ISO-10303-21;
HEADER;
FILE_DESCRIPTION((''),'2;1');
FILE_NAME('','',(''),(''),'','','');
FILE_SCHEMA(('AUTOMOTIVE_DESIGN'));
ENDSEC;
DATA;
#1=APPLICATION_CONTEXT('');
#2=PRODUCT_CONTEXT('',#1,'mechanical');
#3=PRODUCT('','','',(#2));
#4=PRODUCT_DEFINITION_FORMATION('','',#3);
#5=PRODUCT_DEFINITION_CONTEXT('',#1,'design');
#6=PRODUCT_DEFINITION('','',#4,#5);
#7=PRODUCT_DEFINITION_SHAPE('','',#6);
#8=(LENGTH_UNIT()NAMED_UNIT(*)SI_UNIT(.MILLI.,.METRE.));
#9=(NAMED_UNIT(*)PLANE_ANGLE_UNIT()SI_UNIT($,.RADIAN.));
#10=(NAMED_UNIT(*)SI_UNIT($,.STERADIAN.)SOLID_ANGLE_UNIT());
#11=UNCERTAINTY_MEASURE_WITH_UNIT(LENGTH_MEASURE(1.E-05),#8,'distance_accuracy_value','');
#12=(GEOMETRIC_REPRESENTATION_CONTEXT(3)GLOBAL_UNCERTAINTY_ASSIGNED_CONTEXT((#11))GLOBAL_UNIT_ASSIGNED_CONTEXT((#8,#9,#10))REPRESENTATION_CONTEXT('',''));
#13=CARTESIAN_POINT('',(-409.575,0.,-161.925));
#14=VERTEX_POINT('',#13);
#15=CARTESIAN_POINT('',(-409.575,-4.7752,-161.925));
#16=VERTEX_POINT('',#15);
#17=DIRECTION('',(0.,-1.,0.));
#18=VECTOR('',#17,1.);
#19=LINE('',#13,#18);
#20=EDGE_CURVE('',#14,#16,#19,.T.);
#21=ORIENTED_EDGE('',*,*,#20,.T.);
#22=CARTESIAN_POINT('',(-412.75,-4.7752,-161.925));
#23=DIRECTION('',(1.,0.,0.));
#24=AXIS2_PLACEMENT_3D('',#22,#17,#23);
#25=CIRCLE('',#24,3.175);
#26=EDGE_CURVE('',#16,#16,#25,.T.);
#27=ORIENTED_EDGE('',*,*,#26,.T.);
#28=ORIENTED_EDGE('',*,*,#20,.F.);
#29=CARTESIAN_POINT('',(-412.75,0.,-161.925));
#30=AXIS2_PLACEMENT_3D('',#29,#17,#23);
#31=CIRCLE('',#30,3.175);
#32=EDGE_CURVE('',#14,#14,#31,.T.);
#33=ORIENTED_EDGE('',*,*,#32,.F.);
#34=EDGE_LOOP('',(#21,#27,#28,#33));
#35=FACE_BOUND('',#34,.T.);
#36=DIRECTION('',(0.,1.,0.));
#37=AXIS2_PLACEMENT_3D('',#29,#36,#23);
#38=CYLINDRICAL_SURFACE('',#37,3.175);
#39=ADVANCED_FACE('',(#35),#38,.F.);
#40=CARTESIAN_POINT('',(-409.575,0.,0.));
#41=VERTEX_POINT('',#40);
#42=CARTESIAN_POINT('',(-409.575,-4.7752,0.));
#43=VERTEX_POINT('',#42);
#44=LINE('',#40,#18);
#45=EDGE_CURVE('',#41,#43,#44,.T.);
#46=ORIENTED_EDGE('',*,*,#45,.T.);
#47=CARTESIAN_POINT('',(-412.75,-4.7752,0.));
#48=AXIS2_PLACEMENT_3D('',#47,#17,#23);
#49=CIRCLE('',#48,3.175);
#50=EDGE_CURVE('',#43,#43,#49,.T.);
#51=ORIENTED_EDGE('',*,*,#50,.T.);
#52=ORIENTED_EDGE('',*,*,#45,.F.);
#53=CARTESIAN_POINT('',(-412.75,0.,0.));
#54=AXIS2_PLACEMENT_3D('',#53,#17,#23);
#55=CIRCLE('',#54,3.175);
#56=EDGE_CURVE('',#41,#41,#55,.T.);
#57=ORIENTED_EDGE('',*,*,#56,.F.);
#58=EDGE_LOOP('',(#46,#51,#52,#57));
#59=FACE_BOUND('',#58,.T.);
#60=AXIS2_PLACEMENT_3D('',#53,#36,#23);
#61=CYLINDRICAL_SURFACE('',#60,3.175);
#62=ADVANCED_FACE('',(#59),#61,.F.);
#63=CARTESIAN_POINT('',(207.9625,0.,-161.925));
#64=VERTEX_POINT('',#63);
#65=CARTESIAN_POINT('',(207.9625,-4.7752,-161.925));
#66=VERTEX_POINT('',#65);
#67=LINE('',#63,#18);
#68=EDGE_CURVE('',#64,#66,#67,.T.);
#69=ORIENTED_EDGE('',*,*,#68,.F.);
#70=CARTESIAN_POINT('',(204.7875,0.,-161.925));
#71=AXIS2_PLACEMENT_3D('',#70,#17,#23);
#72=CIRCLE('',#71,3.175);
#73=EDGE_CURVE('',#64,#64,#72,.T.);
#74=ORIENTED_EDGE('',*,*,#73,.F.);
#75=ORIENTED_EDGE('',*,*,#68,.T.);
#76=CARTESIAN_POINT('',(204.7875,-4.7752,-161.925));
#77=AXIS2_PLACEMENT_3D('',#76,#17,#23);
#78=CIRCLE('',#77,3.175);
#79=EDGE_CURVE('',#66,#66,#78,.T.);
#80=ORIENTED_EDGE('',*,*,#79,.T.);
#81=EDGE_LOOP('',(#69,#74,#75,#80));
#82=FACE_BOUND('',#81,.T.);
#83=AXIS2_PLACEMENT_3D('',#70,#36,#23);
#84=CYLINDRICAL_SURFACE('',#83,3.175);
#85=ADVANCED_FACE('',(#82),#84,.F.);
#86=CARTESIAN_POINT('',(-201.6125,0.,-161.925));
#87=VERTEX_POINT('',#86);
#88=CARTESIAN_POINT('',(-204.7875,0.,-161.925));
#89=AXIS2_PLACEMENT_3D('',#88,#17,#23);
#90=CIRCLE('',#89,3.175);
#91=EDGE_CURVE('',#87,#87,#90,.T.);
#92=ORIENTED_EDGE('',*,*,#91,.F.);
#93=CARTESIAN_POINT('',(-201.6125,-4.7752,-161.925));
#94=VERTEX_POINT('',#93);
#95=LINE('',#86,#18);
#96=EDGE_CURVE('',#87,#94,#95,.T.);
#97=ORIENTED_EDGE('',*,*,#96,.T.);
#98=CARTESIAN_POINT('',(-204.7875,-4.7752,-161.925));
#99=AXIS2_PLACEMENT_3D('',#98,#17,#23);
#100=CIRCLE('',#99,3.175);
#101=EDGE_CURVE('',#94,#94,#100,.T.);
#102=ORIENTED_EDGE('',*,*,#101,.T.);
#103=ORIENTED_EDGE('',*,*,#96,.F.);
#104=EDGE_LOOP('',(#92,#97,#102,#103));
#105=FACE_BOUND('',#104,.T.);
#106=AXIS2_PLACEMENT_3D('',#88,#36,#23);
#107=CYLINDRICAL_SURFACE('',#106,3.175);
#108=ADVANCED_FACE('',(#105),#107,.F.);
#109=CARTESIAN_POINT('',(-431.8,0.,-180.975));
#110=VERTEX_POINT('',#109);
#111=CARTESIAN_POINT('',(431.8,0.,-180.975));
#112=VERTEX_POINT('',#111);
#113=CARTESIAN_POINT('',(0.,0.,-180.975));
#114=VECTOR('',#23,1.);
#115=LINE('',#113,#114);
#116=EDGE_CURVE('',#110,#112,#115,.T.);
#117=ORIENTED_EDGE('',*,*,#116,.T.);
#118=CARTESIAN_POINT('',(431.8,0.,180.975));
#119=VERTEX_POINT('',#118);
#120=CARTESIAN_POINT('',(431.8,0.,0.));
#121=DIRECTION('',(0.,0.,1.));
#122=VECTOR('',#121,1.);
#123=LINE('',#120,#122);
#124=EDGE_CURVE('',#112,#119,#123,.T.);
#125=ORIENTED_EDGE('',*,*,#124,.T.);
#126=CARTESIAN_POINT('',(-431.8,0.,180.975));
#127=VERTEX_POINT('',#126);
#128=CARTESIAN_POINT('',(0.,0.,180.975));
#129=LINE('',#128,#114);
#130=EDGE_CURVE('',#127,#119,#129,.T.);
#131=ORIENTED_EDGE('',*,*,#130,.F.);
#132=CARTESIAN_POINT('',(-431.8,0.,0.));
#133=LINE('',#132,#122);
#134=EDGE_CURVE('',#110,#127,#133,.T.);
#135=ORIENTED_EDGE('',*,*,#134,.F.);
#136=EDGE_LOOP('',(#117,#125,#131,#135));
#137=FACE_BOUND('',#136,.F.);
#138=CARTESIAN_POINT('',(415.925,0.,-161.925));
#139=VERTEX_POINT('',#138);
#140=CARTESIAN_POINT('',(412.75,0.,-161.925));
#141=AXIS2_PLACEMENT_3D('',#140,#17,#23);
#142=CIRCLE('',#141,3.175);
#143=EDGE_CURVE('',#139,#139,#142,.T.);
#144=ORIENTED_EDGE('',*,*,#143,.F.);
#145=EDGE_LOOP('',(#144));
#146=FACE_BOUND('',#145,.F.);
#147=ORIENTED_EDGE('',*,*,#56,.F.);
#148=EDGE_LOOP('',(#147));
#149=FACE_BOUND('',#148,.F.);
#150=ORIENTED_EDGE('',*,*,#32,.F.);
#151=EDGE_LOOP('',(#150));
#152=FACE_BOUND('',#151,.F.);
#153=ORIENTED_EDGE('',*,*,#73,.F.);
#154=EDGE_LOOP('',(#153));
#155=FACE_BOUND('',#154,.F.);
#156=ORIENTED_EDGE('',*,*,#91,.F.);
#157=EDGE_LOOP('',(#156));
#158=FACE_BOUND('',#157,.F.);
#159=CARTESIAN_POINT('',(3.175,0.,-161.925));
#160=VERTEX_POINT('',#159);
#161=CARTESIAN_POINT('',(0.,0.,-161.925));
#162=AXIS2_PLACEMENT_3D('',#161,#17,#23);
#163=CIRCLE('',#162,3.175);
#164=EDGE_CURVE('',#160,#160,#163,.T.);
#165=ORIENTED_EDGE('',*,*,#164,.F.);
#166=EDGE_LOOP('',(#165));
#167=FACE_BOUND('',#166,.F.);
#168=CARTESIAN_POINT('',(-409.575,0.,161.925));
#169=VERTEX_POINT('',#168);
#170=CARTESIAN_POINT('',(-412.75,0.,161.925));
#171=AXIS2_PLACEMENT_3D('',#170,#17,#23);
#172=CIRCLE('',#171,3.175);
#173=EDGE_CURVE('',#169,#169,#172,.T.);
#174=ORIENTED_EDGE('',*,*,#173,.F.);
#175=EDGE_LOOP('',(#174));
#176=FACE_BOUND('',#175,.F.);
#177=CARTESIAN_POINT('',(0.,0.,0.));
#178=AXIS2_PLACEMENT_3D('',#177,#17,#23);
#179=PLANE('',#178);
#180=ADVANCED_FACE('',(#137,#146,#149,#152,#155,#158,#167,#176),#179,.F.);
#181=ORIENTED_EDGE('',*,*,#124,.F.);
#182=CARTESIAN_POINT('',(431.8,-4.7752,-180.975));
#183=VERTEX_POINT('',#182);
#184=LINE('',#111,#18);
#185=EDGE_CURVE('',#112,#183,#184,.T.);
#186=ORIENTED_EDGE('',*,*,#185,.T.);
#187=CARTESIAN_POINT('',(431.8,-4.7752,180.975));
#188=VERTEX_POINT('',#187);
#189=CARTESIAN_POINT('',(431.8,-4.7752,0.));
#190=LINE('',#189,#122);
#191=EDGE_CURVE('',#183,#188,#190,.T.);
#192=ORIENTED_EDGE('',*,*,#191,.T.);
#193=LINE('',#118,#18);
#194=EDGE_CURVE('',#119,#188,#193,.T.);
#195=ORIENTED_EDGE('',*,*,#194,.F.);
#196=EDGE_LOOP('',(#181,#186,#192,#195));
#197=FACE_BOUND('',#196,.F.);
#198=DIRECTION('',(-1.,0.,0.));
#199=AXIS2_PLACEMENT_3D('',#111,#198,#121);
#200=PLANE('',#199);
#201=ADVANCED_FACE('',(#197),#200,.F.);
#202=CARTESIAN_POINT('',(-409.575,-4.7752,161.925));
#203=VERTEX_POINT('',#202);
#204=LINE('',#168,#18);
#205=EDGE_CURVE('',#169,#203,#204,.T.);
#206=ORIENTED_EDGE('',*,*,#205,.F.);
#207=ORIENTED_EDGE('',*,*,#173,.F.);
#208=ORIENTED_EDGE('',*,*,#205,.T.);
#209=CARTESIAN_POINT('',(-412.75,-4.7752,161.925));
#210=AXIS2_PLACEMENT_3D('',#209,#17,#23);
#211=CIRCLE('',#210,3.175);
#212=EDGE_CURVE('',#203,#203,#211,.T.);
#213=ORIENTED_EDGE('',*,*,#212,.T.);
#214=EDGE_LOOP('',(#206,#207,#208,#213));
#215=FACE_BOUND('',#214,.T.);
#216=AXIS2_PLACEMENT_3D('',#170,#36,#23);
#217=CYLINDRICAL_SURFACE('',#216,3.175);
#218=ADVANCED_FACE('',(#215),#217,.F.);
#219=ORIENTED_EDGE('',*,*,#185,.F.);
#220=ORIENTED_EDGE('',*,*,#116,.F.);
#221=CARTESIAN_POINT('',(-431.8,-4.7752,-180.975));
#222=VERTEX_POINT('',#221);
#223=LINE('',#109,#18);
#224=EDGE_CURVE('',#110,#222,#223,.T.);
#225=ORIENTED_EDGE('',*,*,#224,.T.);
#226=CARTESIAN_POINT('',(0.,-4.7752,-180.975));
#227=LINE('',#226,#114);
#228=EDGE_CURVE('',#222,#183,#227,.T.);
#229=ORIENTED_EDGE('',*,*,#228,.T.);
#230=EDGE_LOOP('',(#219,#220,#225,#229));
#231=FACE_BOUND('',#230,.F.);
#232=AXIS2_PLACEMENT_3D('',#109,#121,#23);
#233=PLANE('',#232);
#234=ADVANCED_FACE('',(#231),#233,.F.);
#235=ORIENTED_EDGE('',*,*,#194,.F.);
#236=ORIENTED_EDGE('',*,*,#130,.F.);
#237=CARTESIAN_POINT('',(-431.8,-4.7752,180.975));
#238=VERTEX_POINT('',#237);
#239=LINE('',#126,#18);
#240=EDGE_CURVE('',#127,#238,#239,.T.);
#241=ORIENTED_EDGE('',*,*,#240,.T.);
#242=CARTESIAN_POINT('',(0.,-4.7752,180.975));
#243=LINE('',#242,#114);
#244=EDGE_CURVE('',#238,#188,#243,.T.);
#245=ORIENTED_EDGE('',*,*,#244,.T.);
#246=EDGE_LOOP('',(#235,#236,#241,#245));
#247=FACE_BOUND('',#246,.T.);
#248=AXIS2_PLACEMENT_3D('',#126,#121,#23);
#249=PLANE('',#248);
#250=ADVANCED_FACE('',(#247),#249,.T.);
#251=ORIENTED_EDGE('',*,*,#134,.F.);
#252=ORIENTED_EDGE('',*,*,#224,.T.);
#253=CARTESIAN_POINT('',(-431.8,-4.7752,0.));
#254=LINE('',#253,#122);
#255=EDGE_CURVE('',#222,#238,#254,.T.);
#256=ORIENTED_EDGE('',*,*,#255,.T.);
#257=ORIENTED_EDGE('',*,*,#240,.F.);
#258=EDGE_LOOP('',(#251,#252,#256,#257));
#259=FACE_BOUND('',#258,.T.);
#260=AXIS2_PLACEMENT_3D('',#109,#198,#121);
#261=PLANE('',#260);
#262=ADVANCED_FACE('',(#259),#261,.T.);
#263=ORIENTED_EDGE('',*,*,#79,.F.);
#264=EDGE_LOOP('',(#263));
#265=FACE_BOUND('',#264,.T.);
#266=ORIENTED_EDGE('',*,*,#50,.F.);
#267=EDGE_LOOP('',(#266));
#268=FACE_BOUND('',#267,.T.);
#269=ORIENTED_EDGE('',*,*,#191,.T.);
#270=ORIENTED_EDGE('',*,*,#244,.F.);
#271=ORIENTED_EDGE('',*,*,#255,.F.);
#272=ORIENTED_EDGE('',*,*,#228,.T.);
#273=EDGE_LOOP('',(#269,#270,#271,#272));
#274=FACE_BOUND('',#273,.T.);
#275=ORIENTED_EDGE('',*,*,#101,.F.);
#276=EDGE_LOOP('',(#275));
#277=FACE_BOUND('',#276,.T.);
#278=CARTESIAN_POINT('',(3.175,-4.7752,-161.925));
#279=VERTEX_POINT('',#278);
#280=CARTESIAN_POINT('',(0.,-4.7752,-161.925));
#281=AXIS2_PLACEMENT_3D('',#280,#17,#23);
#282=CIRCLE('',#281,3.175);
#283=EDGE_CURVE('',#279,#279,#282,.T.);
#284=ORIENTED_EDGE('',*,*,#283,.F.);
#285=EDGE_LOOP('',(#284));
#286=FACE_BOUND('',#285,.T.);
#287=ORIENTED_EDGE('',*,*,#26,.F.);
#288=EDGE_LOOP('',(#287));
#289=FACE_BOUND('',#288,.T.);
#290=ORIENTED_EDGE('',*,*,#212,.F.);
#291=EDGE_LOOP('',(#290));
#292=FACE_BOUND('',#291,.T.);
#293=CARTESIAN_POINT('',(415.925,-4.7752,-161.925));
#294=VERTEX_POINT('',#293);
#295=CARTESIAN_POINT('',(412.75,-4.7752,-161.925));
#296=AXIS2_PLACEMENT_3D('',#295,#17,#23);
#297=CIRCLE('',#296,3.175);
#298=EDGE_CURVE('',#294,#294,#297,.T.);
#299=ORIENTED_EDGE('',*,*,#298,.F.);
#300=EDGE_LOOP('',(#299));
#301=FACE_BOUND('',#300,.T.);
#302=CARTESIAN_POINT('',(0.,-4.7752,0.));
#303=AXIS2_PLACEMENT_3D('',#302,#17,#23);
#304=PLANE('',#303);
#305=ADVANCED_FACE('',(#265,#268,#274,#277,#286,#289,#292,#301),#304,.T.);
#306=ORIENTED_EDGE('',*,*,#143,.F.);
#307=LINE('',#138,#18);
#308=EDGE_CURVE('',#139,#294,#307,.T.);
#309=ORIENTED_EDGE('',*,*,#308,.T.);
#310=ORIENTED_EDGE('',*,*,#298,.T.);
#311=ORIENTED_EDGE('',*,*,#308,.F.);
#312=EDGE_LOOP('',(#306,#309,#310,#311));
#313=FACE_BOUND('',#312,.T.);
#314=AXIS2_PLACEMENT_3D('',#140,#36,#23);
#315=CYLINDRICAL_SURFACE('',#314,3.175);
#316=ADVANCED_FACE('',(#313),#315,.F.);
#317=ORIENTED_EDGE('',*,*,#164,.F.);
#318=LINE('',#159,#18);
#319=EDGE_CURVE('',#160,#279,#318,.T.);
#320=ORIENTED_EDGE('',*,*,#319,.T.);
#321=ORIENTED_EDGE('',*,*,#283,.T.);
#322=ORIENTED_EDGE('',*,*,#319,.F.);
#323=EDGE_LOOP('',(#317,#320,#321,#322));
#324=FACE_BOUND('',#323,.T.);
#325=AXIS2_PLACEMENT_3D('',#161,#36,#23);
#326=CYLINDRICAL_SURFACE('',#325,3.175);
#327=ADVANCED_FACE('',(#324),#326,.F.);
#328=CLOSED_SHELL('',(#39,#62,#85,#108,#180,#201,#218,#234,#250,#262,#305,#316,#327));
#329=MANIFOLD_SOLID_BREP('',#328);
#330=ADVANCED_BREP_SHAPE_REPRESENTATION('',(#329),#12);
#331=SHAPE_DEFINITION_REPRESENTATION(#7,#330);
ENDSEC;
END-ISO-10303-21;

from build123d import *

# Parameters (mm, degrees)
F0_W     = 863.6
F0_H     = 361.95
F0_R     = 3.175
F1_DEPTH = 4.7752


with BuildPart() as f1:
    # F0 (on Front) → F1 (new body)
    with BuildSketch(Plane.XZ):
        Rectangle(F0_W, F0_H)
        with Locations((-412.75, -161.925)):
            Circle(F0_R, mode=Mode.SUBTRACT)
        with Locations((-204.7875, -161.925)):
            Circle(F0_R, mode=Mode.SUBTRACT)
        with Locations((0, -161.925)):
            Circle(F0_R, mode=Mode.SUBTRACT)
        with Locations((204.7875, -161.925)):
            Circle(F0_R, mode=Mode.SUBTRACT)
        with Locations((412.75, -161.925)):
            Circle(F0_R, mode=Mode.SUBTRACT)
        with Locations((-412.75, 0)):
            Circle(F0_R, mode=Mode.SUBTRACT)
        with Locations((-412.75, 161.925)):
            Circle(F0_R, mode=Mode.SUBTRACT)
    extrude(amount=F1_DEPTH)


solid = f1.part
